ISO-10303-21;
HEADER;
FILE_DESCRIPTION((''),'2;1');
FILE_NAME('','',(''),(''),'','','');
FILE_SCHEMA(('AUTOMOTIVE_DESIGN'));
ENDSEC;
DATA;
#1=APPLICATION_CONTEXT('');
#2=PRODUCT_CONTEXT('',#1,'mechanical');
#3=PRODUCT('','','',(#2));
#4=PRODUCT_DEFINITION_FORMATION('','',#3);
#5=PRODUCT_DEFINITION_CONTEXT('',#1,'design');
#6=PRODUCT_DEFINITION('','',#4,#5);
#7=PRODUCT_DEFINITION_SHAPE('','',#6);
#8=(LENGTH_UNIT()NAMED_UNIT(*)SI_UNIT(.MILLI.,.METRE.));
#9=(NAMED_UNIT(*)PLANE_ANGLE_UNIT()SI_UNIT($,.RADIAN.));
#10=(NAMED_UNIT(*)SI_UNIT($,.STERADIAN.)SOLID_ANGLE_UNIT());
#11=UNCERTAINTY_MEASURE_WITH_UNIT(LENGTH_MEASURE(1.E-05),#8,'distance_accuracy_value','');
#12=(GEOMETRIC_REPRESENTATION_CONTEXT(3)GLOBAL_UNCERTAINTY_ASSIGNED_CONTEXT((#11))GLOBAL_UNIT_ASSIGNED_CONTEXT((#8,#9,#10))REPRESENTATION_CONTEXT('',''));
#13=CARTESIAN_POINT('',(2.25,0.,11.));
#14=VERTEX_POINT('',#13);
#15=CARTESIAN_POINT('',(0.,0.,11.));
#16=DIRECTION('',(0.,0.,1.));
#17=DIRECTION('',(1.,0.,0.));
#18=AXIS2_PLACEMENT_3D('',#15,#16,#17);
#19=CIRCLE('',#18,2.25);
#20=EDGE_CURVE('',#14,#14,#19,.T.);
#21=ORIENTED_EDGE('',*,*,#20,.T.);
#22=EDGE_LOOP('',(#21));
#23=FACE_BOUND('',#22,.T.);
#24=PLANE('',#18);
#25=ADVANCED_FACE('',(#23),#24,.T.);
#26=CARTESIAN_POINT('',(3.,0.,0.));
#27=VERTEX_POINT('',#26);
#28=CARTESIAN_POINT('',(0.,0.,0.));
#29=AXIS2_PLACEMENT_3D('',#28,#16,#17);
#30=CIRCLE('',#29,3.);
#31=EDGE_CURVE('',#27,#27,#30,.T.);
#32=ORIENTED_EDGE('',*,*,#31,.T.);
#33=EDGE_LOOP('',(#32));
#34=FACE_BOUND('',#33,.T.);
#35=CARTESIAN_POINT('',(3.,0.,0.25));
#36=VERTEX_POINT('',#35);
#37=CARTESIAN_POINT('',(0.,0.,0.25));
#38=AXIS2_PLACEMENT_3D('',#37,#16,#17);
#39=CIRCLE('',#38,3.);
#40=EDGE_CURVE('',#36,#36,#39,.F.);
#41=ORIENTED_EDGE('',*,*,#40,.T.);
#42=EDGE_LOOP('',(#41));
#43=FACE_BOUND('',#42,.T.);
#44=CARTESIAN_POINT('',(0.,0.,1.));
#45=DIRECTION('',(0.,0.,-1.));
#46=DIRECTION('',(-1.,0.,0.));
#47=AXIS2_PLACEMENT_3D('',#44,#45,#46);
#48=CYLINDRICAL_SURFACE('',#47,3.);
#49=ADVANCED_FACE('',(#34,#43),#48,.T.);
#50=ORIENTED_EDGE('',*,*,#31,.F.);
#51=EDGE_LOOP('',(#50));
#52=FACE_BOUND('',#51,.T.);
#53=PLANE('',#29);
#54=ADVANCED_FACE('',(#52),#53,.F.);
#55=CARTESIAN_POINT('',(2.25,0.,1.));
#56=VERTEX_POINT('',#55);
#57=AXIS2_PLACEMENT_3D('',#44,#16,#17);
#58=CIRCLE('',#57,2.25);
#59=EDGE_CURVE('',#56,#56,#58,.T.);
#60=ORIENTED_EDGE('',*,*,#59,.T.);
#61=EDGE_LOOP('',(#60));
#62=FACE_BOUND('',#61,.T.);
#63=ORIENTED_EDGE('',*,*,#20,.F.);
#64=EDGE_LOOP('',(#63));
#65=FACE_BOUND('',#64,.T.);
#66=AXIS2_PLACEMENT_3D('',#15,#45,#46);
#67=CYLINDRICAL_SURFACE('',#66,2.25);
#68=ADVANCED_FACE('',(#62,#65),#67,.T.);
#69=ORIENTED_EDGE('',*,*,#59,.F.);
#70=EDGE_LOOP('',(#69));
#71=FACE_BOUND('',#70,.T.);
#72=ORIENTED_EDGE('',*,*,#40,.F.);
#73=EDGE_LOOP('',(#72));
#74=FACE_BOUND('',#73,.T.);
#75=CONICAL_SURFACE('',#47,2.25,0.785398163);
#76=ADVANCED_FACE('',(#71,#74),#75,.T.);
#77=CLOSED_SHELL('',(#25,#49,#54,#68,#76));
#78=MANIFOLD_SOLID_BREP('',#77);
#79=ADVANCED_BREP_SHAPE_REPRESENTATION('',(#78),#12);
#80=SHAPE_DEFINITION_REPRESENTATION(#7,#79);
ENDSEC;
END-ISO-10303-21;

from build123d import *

# Parameters (mm, degrees)
ESQUISSE1_R        = 3
BOSS_EXTRU_1_DEPTH = 1
CHANFREIN1_SIZE    = 0.75
ESQUISSE2_R        = 2.25
BOSS_EXTRU_2_DEPTH = 10


with BuildPart() as part:
    # Esquisse1 → Boss.-Extru.1 (new body)
    with BuildSketch(Plane.XY):
        Circle(ESQUISSE1_R)
    extrude(amount=BOSS_EXTRU_1_DEPTH)

    # Chanfrein1
    chanfrein1_edges = [part.edges().sort_by_distance(p)[0] for p in [
        (-3, 0, 1),
    ]]
    chamfer(chanfrein1_edges, length=CHANFREIN1_SIZE)

    # Esquisse2 → Boss.-Extru.2 (add)
    with BuildSketch(Plane.XY.offset(1)):
        Circle(ESQUISSE2_R)
    extrude(amount=BOSS_EXTRU_2_DEPTH)


solid = part.part
